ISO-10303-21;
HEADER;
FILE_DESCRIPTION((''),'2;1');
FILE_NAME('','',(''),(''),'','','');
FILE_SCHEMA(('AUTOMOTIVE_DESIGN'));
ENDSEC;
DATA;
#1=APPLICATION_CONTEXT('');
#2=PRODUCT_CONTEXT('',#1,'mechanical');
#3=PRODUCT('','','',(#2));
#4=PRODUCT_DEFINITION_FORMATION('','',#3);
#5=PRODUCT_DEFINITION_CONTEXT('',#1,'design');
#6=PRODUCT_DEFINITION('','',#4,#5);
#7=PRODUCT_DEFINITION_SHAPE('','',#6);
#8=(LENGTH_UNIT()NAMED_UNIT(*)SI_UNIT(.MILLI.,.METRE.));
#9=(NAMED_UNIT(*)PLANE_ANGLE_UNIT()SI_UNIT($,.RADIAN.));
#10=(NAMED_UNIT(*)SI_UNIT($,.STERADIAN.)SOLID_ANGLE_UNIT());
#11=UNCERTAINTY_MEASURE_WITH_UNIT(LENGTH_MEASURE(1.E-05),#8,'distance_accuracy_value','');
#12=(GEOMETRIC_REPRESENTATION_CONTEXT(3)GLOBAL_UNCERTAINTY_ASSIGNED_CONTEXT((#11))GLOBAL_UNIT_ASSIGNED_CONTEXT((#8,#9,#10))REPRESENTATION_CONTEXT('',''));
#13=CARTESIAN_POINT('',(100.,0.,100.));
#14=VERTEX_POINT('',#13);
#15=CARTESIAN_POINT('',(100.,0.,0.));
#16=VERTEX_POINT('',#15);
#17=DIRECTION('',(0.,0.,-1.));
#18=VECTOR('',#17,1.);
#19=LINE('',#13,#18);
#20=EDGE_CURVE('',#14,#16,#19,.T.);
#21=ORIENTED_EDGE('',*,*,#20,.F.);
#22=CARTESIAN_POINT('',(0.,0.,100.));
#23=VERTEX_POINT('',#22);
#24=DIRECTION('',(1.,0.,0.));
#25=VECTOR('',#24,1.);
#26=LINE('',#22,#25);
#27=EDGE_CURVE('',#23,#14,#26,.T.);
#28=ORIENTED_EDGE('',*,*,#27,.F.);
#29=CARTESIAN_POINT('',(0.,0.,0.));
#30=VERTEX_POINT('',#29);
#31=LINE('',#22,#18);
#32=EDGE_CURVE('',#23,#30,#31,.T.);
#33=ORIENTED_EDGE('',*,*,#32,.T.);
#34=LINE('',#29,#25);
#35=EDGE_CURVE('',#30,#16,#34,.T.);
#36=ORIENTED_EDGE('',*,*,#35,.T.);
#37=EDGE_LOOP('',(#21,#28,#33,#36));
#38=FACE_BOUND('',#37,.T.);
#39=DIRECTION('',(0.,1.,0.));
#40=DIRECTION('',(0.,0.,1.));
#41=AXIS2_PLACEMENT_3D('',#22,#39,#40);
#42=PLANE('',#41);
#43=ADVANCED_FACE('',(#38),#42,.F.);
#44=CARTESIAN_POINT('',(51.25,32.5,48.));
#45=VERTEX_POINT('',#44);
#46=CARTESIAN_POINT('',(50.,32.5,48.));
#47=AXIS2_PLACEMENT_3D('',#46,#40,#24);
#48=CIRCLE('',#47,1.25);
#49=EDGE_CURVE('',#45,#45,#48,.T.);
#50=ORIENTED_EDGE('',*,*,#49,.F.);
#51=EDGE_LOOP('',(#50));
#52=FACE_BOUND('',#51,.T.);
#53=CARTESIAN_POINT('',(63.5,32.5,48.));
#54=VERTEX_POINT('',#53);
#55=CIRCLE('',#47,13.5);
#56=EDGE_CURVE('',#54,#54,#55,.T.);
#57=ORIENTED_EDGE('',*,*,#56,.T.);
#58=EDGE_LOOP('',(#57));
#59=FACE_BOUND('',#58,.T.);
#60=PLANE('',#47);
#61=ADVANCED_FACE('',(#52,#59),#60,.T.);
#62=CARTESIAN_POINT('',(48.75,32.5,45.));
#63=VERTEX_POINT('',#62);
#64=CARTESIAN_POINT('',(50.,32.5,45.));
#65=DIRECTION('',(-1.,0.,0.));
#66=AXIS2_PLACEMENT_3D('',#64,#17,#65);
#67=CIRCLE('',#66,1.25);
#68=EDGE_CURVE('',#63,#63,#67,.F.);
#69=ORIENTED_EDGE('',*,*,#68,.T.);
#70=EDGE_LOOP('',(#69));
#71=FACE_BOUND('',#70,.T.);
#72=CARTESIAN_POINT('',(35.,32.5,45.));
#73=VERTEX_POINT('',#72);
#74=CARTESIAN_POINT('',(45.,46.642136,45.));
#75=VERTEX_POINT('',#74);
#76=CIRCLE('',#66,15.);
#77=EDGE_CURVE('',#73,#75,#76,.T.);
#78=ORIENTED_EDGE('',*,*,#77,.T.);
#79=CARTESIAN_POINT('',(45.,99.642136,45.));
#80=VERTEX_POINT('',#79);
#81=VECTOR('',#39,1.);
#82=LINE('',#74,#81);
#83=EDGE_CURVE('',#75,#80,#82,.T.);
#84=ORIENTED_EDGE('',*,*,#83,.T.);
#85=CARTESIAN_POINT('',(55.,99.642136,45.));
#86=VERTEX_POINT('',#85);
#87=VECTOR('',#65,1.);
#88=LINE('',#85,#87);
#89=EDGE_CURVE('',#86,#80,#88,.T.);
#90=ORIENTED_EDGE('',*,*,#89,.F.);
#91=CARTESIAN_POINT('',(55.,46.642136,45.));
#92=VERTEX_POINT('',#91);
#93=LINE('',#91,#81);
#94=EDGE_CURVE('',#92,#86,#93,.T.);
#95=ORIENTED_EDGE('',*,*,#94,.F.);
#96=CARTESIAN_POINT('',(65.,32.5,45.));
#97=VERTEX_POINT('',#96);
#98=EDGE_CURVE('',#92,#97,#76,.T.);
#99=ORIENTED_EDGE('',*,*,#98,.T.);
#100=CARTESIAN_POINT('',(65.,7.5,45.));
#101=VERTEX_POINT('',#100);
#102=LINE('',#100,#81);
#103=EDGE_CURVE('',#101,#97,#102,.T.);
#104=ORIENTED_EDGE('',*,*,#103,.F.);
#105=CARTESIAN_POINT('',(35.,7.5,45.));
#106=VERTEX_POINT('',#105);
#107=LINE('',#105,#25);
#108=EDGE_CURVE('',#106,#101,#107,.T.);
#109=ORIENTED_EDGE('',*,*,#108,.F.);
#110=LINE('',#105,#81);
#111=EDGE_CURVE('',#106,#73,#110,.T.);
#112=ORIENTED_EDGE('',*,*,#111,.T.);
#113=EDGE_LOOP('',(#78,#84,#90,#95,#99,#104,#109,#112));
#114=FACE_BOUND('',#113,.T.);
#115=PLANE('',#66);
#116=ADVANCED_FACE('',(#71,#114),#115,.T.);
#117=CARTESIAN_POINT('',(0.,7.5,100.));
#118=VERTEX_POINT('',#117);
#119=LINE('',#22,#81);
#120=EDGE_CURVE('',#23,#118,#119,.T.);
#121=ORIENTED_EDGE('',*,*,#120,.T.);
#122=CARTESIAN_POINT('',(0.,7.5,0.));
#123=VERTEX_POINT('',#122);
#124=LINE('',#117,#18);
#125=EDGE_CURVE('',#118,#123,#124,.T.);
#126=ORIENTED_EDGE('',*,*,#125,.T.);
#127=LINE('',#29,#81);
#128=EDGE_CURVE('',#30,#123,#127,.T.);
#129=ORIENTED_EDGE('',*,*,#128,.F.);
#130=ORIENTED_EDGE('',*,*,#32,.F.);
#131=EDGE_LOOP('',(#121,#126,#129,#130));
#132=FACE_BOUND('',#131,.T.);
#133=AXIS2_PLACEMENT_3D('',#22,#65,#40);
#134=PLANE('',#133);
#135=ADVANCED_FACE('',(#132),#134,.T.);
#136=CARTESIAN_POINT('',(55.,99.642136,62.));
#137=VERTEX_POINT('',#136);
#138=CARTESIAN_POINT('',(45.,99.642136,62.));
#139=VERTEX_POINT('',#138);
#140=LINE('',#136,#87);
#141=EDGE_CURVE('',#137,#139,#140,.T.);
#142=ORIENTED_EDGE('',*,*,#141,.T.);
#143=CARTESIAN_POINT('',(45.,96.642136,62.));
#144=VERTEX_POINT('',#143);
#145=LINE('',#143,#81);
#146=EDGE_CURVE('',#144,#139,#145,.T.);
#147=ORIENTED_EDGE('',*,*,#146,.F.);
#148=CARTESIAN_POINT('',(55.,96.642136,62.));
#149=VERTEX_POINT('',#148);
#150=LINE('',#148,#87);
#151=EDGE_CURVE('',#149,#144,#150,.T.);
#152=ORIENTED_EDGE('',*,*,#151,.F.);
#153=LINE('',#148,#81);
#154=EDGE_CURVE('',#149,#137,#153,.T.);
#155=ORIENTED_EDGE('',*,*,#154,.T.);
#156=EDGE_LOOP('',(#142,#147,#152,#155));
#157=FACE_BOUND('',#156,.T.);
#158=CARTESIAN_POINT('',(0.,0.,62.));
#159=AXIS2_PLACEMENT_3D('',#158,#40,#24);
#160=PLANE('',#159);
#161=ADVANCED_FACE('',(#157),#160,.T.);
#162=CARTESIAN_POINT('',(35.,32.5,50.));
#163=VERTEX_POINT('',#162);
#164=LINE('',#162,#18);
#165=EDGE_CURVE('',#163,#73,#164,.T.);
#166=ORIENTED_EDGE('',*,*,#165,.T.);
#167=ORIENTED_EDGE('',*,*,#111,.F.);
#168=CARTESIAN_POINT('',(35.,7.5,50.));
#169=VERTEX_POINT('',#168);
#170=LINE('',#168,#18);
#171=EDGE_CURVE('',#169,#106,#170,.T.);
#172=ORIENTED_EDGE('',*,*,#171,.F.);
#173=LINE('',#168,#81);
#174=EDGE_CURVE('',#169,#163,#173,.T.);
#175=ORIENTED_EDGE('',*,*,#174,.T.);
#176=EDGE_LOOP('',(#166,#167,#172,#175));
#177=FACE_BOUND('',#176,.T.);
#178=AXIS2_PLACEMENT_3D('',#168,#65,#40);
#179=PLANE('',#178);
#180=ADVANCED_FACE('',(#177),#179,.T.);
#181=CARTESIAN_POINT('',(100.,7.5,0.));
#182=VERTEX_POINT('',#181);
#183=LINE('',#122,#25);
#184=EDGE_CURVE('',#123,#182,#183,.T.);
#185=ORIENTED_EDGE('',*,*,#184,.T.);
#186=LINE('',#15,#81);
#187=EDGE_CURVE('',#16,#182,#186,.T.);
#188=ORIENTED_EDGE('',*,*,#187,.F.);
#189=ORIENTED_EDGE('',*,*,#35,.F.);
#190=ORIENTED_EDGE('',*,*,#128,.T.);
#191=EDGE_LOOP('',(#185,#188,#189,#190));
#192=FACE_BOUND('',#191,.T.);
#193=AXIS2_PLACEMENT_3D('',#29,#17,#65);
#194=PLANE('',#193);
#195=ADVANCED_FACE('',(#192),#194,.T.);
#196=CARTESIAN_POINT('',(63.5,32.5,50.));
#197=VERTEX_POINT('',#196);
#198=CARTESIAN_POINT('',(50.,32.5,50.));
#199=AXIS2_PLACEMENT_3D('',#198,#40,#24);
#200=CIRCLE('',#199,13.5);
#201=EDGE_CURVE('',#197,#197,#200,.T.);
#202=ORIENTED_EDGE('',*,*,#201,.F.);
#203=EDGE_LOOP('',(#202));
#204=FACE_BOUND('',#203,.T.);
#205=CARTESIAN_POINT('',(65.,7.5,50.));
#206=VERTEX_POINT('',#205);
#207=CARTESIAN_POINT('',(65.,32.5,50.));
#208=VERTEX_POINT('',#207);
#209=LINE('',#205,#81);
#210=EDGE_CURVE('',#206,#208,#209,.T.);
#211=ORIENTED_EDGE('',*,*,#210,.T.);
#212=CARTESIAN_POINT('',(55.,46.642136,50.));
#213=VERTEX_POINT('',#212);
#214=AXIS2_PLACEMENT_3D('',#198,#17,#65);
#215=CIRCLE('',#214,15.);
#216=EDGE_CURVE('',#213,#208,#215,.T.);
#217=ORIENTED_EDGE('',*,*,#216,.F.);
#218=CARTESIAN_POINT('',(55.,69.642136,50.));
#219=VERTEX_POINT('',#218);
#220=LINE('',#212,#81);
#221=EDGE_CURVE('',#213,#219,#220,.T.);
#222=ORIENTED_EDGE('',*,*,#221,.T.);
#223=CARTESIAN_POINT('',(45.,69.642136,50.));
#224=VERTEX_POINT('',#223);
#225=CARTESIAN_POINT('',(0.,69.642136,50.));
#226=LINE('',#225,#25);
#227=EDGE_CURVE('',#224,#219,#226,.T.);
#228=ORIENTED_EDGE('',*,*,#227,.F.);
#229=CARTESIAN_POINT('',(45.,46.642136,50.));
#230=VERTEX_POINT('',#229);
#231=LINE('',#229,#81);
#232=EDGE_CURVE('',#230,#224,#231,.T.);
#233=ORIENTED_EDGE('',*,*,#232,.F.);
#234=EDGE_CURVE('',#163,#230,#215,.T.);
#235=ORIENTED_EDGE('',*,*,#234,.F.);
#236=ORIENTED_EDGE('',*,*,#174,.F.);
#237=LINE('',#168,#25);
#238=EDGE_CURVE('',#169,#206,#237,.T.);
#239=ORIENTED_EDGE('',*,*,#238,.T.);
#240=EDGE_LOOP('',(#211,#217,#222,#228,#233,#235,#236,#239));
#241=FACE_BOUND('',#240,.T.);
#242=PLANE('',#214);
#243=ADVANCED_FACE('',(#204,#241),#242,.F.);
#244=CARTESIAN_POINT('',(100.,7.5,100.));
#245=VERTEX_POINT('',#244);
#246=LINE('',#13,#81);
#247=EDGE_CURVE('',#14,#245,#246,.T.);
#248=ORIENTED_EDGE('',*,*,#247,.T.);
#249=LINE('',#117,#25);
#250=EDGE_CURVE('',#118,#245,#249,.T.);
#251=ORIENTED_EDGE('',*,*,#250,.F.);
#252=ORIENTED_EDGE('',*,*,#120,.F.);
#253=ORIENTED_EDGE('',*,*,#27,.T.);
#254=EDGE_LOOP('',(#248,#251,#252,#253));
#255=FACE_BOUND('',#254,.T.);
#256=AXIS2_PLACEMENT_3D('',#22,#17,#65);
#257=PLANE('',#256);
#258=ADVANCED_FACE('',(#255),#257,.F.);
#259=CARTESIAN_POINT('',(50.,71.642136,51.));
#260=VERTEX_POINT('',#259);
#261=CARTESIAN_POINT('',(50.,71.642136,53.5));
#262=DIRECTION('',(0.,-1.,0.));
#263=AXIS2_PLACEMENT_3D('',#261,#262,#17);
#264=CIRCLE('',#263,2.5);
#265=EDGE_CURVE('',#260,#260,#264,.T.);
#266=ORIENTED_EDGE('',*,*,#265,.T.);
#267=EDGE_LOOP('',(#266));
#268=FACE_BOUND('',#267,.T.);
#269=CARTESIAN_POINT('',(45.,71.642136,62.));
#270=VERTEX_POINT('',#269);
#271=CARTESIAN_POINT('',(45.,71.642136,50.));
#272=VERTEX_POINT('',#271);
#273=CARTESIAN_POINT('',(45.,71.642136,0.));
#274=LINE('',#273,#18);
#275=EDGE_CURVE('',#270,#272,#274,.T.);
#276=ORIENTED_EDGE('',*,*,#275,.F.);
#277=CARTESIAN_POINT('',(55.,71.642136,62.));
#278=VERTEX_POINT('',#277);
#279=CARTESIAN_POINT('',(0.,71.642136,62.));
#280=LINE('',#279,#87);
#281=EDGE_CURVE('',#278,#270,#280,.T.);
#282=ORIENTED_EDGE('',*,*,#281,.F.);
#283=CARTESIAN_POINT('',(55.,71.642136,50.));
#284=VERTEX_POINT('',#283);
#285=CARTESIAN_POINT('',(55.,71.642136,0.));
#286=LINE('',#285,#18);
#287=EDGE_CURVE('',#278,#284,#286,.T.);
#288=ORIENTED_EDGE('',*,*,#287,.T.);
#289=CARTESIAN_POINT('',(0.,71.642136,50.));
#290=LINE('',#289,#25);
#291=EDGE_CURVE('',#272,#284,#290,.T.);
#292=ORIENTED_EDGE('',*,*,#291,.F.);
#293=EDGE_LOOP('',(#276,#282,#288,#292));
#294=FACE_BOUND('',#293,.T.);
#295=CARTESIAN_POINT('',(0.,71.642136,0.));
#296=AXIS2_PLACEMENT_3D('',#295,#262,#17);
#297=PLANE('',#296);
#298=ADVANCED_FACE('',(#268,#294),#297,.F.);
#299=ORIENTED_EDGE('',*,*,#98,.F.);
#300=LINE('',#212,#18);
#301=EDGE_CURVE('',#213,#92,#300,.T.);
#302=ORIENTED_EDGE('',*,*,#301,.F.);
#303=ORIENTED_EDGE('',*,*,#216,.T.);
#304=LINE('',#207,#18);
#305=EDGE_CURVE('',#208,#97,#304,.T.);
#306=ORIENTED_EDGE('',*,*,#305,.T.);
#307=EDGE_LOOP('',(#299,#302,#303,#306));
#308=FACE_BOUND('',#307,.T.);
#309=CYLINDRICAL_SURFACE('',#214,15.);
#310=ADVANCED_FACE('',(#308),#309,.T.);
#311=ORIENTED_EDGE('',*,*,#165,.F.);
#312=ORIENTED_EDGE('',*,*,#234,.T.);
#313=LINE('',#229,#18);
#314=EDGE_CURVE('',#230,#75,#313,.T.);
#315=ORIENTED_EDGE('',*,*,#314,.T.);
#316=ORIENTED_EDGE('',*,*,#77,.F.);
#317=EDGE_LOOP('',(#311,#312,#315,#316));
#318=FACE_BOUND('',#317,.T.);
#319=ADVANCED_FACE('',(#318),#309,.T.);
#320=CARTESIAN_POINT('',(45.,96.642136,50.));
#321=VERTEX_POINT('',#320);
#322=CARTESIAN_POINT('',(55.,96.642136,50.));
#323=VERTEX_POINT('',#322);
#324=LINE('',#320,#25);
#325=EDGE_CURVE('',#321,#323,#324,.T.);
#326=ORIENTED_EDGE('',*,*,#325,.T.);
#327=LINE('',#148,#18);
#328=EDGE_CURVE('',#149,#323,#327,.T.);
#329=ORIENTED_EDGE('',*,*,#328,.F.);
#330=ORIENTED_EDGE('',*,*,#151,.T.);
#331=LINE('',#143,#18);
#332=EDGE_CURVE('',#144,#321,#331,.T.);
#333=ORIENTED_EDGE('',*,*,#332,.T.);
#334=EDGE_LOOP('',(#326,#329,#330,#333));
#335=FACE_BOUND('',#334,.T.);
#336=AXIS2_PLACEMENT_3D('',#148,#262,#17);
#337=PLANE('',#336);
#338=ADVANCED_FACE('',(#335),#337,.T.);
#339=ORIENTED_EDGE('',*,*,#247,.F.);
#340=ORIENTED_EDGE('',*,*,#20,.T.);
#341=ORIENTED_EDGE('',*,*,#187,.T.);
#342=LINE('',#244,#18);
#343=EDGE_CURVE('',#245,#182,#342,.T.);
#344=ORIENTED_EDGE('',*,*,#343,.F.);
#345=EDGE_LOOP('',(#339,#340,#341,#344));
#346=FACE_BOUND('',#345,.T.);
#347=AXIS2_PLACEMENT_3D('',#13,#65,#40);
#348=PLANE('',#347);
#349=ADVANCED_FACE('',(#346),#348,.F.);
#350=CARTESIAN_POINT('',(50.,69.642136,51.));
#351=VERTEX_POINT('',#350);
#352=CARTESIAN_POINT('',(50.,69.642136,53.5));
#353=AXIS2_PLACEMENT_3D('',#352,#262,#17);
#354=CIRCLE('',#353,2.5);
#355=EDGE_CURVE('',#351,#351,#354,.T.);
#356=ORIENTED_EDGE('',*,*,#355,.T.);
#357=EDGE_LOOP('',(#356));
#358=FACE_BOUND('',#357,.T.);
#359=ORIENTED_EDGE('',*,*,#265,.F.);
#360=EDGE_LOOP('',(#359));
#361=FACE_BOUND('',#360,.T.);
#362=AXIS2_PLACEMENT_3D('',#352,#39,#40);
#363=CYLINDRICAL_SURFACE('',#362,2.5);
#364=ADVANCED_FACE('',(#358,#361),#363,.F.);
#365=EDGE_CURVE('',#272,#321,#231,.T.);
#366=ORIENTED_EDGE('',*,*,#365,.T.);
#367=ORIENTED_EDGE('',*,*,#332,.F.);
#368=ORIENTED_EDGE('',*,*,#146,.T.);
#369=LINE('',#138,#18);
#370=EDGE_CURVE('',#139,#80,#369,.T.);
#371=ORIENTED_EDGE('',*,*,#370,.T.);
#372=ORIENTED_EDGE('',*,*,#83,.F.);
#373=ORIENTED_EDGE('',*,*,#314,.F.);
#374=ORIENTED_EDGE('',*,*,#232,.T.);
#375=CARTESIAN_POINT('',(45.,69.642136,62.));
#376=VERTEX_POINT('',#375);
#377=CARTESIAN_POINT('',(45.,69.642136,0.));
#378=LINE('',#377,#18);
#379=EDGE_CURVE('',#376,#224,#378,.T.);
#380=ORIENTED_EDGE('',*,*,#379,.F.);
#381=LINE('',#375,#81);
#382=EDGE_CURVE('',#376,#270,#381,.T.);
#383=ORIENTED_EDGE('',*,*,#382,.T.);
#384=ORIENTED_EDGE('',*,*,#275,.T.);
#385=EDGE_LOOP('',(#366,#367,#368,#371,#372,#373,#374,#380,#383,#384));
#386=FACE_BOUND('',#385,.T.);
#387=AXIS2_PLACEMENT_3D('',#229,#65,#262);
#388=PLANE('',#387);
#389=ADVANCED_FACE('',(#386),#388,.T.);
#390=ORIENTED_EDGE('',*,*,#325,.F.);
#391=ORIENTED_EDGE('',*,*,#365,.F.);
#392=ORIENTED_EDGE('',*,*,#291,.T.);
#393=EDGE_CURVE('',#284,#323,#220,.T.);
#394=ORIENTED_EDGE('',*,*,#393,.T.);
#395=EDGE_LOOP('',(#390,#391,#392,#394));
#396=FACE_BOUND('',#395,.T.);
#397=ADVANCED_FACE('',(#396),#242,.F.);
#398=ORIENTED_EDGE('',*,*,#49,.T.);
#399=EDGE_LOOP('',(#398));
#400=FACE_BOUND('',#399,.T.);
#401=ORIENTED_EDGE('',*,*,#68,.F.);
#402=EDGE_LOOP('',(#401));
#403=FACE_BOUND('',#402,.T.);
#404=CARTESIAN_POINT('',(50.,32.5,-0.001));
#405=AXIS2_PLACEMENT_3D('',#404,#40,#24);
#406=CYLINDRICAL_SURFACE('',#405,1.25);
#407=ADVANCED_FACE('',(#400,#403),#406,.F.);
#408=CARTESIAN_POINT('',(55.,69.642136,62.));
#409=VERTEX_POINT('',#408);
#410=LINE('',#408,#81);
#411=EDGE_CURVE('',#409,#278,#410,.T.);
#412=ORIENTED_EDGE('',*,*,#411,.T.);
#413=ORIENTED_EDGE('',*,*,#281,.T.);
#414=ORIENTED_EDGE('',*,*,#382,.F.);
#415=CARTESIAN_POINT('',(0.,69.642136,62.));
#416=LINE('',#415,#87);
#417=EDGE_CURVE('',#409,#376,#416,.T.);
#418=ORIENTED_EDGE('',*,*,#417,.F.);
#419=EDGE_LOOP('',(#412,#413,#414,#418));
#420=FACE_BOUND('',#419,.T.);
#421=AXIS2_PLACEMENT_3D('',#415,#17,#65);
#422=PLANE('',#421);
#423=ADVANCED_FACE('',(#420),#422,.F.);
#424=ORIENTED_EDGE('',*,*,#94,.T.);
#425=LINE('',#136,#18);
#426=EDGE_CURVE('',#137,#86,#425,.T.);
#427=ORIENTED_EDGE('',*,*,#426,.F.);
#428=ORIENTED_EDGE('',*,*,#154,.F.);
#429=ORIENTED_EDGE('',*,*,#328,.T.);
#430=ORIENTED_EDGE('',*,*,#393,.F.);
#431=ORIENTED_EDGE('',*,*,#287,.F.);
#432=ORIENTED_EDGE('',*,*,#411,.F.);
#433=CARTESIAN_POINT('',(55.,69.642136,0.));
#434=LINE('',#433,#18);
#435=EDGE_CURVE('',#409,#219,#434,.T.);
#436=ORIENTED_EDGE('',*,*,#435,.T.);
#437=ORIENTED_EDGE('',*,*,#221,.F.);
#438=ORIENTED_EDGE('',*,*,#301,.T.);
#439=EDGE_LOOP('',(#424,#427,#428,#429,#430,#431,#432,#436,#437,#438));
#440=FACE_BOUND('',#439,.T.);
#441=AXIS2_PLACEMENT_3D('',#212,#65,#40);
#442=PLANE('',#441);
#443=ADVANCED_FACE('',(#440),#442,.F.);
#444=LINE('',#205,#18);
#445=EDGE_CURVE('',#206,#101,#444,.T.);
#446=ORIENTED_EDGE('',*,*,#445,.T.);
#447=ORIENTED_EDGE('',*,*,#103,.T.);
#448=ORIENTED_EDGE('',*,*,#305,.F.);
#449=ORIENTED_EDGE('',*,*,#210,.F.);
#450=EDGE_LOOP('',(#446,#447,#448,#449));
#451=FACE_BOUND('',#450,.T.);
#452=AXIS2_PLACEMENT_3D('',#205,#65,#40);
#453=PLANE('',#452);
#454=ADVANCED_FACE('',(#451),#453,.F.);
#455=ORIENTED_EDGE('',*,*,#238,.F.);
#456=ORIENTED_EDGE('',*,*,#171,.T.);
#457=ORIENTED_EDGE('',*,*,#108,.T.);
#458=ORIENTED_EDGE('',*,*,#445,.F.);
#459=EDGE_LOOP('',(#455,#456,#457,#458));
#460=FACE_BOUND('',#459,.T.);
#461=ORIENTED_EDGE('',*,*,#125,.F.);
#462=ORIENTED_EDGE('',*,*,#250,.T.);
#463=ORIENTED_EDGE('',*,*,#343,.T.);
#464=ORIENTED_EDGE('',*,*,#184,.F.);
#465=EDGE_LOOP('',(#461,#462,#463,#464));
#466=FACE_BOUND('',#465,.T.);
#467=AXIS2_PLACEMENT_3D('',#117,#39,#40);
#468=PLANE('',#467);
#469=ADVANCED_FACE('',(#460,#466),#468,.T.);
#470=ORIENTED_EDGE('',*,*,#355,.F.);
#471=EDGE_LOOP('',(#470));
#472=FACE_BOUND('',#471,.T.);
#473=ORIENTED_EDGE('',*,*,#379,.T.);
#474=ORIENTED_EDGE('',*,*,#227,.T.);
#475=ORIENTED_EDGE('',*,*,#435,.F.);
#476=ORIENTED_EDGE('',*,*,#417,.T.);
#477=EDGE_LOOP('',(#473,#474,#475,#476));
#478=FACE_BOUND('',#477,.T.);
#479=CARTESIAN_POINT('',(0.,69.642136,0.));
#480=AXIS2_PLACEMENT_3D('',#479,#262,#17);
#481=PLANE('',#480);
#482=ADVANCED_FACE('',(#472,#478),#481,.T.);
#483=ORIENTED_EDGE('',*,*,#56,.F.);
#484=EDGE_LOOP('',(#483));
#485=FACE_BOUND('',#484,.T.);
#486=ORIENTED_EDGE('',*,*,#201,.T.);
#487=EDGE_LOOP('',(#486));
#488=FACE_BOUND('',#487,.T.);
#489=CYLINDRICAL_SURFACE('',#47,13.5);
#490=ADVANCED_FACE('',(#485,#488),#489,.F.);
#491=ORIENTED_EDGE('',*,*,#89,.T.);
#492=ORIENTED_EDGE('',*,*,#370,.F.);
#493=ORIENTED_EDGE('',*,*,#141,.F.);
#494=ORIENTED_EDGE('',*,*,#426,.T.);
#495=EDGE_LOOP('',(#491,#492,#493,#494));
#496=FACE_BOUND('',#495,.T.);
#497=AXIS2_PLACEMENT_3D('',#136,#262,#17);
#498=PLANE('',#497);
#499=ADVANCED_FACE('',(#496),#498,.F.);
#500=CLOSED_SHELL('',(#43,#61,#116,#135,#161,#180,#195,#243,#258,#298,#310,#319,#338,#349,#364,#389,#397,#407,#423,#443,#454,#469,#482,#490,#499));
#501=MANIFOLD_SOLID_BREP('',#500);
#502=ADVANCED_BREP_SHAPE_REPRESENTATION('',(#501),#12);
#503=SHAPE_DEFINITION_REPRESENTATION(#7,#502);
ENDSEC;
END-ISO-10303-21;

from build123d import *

# Parameters (mm, degrees)
SKETCH1_W           = 100
SKETCH1_H           = 7.5
BOSS_EXTRUDE1_DEPTH = 100
BOSS_EXTRUDE2_START = 45
BOSS_EXTRUDE2_DEPTH = 5
SKETCH3_R           = 13.5
CUT_EXTRUDE1_DEPTH  = 2
SKETCH4_W           = 10
SKETCH4_H           = 3
BOSS_EXTRUDE3_DEPTH = 17
SKETCH6_W           = 10
SKETCH6_H           = 12
SKETCH6_R           = 2.5
BOSS_EXTRUDE4_DEPTH = 2
CUT_EXTRUDE2_REACH  = 152.441
SKETCH7_R           = 1.25


with BuildPart() as part:
    # Sketch1 → Boss-Extrude1 (new body)
    with BuildSketch(Plane.XY):
        with Locations((50, 3.75)):
            Rectangle(SKETCH1_W, SKETCH1_H)
    extrude(amount=BOSS_EXTRUDE1_DEPTH)

    # Sketch2 → Boss-Extrude2 (add)
    with BuildSketch(Plane.XY.offset(BOSS_EXTRUDE2_START)):
        with BuildLine():
            Line((35, 7.5), (65, 7.5))
            Line((65, 7.5), (65, 32.5))
            ThreePointArc((65, 32.5), (62.247448714, 41.160254038), (55, 46.642135624))
            Line((55, 46.642135624), (55, 96.642135624))
            Line((55, 96.642135624), (45, 96.642135624))
            Line((45, 96.642135624), (45, 46.642135624))
            ThreePointArc((45, 46.642135624), (37.752551286, 41.160254038), (35, 32.5))
            Line((35, 32.5), (35, 7.5))
        make_face()
    extrude(amount=BOSS_EXTRUDE2_DEPTH)

    # Sketch3 → Cut-Extrude1 (cut)
    with BuildSketch(Plane.XY.offset(50)):
        with Locations((50, 32.5)):
            Circle(SKETCH3_R)
    extrude(amount=-CUT_EXTRUDE1_DEPTH, mode=Mode.SUBTRACT)

    # Sketch4 → Boss-Extrude3 (add)
    with BuildSketch(Plane(origin=(0, 0, 45), x_dir=(-1, 0, 0), z_dir=(0, 0, -1))):
        with Locations((-50, 98.142135624)):
            Rectangle(SKETCH4_W, SKETCH4_H)
    extrude(amount=-BOSS_EXTRUDE3_DEPTH)

    # Sketch6 → Boss-Extrude4 (add)
    with BuildSketch(Plane(origin=(0, 71.642135624, 0), x_dir=(-1, 0, 0), z_dir=(0, -1, 0))):
        with Locations((-50, -56)):
            Rectangle(SKETCH6_W, SKETCH6_H)
        with Locations(Location((-50, -53.5, 0), (0, 0, 90))):
            Circle(SKETCH6_R, mode=Mode.SUBTRACT)
    extrude(amount=BOSS_EXTRUDE4_DEPTH)

    # Sketch7 → Cut-Extrude2 (cut, up to next)
    with BuildSketch(Plane.XY.offset(48), mode=Mode.PRIVATE) as cut_extrude2_sk1:
        with Locations((50, 32.5)):
            Circle(SKETCH7_R)
    cut_extrude2_tool1 = extrude(cut_extrude2_sk1.sketch, amount=-CUT_EXTRUDE2_REACH, mode=Mode.PRIVATE) & part.part
    add(cut_extrude2_tool1.solids().sort_by_distance((50, 32.5, 48))[0], mode=Mode.SUBTRACT)


solid = part.part
